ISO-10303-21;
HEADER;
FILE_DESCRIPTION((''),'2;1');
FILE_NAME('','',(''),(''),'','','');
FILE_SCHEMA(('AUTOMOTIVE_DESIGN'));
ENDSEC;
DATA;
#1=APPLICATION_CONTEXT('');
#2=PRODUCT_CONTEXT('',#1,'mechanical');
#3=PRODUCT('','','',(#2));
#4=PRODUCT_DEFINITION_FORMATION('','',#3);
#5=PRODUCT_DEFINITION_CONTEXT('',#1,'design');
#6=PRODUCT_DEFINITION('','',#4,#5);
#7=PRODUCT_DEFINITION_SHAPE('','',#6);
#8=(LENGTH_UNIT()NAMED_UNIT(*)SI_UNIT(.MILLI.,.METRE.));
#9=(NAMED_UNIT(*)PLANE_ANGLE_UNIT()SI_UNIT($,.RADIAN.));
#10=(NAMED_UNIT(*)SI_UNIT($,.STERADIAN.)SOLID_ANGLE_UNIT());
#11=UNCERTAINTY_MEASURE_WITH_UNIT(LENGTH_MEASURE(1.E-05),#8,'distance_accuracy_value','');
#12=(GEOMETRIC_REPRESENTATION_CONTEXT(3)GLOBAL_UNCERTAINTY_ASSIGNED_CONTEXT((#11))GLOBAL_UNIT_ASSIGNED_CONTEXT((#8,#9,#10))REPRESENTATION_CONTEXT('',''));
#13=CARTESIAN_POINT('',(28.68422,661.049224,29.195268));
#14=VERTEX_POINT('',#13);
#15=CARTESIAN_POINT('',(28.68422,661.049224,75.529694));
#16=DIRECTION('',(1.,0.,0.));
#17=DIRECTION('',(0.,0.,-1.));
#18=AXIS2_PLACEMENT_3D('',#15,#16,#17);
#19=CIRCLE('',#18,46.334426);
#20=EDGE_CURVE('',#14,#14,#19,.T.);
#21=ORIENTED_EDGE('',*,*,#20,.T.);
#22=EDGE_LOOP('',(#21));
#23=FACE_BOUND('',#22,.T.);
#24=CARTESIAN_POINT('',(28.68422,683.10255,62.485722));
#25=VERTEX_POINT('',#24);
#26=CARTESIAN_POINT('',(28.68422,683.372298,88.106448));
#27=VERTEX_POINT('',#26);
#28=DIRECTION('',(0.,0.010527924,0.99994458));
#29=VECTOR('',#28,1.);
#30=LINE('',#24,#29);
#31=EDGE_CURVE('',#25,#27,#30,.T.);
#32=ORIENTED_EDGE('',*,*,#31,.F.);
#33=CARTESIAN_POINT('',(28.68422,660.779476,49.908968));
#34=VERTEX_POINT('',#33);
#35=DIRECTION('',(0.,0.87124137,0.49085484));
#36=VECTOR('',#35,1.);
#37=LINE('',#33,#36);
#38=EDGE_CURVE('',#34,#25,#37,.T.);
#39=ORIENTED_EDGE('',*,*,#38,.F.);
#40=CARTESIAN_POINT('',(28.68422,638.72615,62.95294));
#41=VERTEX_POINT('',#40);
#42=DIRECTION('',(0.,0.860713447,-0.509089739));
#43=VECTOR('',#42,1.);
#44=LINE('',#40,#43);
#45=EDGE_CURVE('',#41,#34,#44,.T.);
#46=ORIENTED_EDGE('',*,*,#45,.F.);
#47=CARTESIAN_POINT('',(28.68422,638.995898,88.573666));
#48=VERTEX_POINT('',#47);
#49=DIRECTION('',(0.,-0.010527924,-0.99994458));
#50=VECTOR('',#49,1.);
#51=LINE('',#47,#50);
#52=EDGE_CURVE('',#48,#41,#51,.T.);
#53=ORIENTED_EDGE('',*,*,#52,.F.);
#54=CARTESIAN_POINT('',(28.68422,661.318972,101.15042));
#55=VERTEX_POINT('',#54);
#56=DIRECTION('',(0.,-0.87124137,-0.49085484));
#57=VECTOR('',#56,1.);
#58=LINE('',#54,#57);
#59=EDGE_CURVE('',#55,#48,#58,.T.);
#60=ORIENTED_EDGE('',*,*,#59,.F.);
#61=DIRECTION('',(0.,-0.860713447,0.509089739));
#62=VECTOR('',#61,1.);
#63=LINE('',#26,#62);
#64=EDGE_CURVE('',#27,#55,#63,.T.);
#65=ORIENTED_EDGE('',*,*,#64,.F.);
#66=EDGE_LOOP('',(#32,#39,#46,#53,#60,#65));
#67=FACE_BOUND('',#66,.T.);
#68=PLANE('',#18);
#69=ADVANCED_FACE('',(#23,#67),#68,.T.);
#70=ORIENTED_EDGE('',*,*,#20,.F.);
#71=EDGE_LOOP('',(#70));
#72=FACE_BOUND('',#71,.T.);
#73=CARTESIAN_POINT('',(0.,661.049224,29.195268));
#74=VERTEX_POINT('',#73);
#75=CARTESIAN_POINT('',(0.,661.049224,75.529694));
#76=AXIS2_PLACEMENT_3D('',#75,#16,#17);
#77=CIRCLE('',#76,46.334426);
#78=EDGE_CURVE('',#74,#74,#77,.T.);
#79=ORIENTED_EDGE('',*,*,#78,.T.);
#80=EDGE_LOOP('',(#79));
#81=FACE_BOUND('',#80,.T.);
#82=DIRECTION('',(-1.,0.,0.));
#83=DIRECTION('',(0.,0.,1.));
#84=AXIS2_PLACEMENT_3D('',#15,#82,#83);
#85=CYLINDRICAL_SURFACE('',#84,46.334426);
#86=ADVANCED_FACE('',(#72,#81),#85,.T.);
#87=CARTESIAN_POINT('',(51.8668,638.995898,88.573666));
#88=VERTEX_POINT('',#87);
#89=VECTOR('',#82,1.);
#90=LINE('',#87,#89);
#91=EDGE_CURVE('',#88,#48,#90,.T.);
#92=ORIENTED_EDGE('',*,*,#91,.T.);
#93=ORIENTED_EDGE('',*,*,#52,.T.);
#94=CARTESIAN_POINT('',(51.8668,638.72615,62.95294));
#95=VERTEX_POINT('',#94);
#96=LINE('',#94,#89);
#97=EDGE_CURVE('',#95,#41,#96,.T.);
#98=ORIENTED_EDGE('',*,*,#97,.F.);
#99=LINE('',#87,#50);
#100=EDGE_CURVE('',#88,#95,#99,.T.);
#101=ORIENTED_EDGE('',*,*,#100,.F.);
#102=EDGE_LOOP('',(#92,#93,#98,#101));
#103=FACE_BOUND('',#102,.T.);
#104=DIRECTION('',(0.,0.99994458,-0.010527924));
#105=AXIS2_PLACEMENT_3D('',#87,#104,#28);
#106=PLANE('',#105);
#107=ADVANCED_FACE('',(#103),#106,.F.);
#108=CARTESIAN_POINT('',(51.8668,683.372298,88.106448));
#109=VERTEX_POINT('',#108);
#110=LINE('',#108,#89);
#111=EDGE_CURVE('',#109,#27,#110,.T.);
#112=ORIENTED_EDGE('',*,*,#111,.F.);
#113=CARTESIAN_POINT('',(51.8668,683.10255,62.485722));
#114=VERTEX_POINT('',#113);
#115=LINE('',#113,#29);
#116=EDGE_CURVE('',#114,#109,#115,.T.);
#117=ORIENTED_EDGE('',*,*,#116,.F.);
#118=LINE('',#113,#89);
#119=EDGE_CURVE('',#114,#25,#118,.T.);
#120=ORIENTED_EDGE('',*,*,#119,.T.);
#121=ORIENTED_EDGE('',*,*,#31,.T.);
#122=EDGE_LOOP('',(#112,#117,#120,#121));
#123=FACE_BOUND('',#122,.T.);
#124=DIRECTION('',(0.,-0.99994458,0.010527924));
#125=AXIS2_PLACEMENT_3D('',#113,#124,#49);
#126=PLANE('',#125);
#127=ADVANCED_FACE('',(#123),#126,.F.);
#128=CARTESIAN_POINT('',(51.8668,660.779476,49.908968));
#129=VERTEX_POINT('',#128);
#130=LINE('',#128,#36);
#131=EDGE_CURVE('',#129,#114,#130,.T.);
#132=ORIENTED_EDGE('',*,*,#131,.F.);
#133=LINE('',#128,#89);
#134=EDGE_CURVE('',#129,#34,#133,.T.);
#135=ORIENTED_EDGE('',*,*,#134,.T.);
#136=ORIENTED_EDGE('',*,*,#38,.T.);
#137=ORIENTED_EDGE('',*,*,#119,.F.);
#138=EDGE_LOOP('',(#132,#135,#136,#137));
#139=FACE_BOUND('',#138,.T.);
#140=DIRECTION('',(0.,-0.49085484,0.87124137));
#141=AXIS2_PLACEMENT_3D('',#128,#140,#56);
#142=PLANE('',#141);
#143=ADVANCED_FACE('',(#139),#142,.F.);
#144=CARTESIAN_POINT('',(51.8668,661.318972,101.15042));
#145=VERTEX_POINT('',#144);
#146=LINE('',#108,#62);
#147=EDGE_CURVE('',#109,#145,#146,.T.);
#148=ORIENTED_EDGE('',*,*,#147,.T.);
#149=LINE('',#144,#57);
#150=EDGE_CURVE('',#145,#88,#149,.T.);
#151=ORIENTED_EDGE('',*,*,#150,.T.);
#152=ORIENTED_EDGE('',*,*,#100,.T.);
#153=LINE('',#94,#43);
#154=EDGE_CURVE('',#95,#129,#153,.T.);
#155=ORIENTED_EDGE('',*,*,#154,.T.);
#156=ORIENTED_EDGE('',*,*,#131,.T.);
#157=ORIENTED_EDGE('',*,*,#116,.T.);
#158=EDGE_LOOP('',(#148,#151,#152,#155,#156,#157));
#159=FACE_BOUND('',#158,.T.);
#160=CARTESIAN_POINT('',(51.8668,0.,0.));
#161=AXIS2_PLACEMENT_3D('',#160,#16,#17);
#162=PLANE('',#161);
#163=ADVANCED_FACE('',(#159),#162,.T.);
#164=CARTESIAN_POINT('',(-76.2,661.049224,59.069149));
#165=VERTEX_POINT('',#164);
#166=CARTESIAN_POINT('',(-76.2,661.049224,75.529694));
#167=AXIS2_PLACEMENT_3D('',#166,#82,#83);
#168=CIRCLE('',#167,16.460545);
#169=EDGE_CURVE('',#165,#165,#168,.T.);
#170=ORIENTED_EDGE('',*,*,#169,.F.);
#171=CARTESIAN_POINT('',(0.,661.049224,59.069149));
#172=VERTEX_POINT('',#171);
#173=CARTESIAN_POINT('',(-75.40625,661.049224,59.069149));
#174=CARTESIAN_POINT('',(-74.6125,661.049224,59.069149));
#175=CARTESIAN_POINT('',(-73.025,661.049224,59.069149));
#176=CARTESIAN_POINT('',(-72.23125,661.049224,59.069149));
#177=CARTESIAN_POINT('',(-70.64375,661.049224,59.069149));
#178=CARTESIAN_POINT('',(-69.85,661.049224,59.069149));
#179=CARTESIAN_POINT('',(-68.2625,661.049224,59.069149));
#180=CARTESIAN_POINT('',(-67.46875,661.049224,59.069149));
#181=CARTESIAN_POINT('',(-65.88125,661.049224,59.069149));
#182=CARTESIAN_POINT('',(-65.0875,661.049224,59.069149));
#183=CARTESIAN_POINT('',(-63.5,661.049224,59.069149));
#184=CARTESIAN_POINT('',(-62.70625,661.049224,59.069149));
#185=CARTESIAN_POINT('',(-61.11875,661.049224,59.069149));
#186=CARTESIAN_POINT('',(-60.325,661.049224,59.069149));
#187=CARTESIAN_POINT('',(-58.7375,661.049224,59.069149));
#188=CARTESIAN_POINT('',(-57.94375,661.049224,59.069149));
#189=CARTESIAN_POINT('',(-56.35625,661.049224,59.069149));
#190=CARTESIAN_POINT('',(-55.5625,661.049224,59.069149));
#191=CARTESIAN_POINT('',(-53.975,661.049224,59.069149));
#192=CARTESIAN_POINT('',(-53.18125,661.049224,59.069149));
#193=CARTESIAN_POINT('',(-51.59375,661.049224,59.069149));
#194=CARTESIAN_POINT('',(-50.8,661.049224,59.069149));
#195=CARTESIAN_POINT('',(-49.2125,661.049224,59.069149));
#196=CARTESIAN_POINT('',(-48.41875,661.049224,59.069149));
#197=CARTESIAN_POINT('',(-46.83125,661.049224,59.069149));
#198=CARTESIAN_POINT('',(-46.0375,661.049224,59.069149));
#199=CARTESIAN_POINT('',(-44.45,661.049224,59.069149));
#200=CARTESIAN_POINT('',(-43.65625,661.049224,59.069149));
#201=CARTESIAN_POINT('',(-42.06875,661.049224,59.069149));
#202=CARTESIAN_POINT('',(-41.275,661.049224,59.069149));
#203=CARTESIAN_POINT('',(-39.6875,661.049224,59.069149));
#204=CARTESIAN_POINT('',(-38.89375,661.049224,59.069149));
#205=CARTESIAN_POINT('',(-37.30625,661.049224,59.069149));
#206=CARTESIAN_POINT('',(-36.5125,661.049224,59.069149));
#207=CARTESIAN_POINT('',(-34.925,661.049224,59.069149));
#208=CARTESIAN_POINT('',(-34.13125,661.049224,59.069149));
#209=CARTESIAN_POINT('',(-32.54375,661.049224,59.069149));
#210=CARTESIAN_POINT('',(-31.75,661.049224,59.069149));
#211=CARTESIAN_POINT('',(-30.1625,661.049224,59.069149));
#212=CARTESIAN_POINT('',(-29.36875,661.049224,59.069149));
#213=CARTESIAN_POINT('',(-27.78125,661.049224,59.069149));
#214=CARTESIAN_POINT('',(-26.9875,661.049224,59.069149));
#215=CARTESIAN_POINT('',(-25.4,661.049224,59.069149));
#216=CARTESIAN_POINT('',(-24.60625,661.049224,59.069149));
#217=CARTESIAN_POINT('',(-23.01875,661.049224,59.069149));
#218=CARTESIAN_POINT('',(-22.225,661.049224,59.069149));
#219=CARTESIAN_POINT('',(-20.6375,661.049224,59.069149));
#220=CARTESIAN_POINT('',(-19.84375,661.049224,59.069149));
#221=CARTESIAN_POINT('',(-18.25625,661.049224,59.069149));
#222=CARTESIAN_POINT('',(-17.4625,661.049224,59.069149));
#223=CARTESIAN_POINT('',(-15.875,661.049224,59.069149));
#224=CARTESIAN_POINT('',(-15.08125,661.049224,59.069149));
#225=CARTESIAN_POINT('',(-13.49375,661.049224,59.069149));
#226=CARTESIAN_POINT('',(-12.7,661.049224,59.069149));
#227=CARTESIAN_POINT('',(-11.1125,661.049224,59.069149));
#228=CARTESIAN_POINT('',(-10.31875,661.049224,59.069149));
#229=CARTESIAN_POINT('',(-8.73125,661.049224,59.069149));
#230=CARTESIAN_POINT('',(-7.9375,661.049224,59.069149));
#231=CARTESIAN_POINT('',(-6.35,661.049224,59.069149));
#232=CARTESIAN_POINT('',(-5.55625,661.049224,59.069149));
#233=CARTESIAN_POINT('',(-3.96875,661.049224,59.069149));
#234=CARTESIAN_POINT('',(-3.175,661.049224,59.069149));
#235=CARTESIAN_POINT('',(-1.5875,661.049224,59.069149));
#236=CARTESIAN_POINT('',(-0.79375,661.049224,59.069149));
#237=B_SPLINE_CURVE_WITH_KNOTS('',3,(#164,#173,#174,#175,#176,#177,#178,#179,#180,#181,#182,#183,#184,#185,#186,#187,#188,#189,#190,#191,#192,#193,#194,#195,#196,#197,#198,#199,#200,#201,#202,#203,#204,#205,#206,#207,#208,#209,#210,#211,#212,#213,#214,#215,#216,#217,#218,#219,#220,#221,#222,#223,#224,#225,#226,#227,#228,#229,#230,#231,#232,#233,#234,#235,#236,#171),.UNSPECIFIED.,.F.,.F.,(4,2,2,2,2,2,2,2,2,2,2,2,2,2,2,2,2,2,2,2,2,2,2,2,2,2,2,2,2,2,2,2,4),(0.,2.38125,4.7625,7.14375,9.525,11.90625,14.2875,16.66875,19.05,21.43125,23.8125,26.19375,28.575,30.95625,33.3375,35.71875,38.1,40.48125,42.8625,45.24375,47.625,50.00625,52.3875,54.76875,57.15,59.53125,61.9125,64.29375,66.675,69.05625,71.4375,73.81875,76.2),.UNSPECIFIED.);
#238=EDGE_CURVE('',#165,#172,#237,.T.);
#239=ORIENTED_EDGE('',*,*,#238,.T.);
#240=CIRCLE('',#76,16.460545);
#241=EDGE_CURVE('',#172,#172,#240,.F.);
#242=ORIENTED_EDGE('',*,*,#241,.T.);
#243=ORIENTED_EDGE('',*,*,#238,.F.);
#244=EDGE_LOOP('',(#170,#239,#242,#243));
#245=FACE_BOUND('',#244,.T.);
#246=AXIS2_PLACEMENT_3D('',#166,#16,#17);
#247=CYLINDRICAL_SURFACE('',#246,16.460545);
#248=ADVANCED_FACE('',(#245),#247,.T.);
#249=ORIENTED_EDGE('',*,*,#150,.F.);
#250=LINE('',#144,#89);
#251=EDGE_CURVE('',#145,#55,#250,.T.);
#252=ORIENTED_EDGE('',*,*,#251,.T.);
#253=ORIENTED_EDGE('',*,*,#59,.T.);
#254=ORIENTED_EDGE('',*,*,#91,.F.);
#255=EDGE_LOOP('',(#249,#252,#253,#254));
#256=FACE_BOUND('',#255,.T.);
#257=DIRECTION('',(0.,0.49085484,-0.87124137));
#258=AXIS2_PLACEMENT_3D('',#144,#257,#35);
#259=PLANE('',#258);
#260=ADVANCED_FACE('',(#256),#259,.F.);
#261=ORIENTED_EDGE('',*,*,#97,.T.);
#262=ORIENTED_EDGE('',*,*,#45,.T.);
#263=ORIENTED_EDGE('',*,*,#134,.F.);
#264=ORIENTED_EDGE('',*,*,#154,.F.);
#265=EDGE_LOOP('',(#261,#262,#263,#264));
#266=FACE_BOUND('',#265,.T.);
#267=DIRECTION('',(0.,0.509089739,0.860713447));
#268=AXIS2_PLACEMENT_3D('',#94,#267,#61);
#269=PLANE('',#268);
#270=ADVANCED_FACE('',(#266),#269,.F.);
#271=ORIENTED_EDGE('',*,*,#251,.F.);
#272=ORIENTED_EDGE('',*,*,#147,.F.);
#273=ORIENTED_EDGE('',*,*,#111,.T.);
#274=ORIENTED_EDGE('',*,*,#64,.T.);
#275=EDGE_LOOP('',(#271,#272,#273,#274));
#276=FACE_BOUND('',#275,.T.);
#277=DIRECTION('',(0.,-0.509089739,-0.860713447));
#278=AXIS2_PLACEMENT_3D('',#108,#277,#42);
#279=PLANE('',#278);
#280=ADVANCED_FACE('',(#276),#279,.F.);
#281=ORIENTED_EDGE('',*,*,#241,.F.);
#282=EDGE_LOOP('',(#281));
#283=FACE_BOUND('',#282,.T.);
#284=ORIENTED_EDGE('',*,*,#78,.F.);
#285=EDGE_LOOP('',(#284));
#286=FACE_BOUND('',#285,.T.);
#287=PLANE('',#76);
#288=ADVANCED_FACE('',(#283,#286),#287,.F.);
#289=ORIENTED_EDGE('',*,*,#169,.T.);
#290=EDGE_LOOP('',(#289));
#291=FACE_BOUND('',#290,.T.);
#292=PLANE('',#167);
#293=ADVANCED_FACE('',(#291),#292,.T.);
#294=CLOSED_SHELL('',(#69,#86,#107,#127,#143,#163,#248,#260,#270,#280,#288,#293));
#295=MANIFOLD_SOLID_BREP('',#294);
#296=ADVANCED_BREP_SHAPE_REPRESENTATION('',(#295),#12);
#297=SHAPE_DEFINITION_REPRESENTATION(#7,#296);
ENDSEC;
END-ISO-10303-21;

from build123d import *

# Parameters (mm, degrees)
SKETCH1_R           = 46.334426
BOSS_EXTRUDE1_DEPTH = 28.68422
BOSS_EXTRUDE2_DEPTH = 23.18258
SKETCH3_R           = 16.460544738
BOSS_EXTRUDE3_DEPTH = 76.2


with BuildPart() as part:
    # Sketch1 → Boss-Extrude1 (new body)
    with BuildSketch(Plane(origin=(0, 0, 0), x_dir=(0, 0, -1), z_dir=(1, 0, 0))):
        with Locations((-75.529694, 661.049224)):
            Circle(SKETCH1_R)
    extrude(amount=BOSS_EXTRUDE1_DEPTH)

    # Sketch2 → Boss-Extrude2 (add)
    with BuildSketch(Plane(origin=(28.68422, 0, 0), x_dir=(0, 0, -1), z_dir=(1, 0, 0))):
        Polygon((-101.15042, 661.318972), (-88.573665621, 638.995898421), (-62.952939621, 638.726150421), (-49.908968, 660.779476), (-62.485722379, 683.102549579), (-88.106448379, 683.372297579), align=None)
    extrude(amount=BOSS_EXTRUDE2_DEPTH)

    # Sketch3 → Boss-Extrude3 (add)
    with BuildSketch(Plane.ZY):
        with Locations(Location((75.529694, 661.049224, 0), (0, 0, 180))):
            Circle(SKETCH3_R)
    extrude(amount=BOSS_EXTRUDE3_DEPTH)


solid = part.part
